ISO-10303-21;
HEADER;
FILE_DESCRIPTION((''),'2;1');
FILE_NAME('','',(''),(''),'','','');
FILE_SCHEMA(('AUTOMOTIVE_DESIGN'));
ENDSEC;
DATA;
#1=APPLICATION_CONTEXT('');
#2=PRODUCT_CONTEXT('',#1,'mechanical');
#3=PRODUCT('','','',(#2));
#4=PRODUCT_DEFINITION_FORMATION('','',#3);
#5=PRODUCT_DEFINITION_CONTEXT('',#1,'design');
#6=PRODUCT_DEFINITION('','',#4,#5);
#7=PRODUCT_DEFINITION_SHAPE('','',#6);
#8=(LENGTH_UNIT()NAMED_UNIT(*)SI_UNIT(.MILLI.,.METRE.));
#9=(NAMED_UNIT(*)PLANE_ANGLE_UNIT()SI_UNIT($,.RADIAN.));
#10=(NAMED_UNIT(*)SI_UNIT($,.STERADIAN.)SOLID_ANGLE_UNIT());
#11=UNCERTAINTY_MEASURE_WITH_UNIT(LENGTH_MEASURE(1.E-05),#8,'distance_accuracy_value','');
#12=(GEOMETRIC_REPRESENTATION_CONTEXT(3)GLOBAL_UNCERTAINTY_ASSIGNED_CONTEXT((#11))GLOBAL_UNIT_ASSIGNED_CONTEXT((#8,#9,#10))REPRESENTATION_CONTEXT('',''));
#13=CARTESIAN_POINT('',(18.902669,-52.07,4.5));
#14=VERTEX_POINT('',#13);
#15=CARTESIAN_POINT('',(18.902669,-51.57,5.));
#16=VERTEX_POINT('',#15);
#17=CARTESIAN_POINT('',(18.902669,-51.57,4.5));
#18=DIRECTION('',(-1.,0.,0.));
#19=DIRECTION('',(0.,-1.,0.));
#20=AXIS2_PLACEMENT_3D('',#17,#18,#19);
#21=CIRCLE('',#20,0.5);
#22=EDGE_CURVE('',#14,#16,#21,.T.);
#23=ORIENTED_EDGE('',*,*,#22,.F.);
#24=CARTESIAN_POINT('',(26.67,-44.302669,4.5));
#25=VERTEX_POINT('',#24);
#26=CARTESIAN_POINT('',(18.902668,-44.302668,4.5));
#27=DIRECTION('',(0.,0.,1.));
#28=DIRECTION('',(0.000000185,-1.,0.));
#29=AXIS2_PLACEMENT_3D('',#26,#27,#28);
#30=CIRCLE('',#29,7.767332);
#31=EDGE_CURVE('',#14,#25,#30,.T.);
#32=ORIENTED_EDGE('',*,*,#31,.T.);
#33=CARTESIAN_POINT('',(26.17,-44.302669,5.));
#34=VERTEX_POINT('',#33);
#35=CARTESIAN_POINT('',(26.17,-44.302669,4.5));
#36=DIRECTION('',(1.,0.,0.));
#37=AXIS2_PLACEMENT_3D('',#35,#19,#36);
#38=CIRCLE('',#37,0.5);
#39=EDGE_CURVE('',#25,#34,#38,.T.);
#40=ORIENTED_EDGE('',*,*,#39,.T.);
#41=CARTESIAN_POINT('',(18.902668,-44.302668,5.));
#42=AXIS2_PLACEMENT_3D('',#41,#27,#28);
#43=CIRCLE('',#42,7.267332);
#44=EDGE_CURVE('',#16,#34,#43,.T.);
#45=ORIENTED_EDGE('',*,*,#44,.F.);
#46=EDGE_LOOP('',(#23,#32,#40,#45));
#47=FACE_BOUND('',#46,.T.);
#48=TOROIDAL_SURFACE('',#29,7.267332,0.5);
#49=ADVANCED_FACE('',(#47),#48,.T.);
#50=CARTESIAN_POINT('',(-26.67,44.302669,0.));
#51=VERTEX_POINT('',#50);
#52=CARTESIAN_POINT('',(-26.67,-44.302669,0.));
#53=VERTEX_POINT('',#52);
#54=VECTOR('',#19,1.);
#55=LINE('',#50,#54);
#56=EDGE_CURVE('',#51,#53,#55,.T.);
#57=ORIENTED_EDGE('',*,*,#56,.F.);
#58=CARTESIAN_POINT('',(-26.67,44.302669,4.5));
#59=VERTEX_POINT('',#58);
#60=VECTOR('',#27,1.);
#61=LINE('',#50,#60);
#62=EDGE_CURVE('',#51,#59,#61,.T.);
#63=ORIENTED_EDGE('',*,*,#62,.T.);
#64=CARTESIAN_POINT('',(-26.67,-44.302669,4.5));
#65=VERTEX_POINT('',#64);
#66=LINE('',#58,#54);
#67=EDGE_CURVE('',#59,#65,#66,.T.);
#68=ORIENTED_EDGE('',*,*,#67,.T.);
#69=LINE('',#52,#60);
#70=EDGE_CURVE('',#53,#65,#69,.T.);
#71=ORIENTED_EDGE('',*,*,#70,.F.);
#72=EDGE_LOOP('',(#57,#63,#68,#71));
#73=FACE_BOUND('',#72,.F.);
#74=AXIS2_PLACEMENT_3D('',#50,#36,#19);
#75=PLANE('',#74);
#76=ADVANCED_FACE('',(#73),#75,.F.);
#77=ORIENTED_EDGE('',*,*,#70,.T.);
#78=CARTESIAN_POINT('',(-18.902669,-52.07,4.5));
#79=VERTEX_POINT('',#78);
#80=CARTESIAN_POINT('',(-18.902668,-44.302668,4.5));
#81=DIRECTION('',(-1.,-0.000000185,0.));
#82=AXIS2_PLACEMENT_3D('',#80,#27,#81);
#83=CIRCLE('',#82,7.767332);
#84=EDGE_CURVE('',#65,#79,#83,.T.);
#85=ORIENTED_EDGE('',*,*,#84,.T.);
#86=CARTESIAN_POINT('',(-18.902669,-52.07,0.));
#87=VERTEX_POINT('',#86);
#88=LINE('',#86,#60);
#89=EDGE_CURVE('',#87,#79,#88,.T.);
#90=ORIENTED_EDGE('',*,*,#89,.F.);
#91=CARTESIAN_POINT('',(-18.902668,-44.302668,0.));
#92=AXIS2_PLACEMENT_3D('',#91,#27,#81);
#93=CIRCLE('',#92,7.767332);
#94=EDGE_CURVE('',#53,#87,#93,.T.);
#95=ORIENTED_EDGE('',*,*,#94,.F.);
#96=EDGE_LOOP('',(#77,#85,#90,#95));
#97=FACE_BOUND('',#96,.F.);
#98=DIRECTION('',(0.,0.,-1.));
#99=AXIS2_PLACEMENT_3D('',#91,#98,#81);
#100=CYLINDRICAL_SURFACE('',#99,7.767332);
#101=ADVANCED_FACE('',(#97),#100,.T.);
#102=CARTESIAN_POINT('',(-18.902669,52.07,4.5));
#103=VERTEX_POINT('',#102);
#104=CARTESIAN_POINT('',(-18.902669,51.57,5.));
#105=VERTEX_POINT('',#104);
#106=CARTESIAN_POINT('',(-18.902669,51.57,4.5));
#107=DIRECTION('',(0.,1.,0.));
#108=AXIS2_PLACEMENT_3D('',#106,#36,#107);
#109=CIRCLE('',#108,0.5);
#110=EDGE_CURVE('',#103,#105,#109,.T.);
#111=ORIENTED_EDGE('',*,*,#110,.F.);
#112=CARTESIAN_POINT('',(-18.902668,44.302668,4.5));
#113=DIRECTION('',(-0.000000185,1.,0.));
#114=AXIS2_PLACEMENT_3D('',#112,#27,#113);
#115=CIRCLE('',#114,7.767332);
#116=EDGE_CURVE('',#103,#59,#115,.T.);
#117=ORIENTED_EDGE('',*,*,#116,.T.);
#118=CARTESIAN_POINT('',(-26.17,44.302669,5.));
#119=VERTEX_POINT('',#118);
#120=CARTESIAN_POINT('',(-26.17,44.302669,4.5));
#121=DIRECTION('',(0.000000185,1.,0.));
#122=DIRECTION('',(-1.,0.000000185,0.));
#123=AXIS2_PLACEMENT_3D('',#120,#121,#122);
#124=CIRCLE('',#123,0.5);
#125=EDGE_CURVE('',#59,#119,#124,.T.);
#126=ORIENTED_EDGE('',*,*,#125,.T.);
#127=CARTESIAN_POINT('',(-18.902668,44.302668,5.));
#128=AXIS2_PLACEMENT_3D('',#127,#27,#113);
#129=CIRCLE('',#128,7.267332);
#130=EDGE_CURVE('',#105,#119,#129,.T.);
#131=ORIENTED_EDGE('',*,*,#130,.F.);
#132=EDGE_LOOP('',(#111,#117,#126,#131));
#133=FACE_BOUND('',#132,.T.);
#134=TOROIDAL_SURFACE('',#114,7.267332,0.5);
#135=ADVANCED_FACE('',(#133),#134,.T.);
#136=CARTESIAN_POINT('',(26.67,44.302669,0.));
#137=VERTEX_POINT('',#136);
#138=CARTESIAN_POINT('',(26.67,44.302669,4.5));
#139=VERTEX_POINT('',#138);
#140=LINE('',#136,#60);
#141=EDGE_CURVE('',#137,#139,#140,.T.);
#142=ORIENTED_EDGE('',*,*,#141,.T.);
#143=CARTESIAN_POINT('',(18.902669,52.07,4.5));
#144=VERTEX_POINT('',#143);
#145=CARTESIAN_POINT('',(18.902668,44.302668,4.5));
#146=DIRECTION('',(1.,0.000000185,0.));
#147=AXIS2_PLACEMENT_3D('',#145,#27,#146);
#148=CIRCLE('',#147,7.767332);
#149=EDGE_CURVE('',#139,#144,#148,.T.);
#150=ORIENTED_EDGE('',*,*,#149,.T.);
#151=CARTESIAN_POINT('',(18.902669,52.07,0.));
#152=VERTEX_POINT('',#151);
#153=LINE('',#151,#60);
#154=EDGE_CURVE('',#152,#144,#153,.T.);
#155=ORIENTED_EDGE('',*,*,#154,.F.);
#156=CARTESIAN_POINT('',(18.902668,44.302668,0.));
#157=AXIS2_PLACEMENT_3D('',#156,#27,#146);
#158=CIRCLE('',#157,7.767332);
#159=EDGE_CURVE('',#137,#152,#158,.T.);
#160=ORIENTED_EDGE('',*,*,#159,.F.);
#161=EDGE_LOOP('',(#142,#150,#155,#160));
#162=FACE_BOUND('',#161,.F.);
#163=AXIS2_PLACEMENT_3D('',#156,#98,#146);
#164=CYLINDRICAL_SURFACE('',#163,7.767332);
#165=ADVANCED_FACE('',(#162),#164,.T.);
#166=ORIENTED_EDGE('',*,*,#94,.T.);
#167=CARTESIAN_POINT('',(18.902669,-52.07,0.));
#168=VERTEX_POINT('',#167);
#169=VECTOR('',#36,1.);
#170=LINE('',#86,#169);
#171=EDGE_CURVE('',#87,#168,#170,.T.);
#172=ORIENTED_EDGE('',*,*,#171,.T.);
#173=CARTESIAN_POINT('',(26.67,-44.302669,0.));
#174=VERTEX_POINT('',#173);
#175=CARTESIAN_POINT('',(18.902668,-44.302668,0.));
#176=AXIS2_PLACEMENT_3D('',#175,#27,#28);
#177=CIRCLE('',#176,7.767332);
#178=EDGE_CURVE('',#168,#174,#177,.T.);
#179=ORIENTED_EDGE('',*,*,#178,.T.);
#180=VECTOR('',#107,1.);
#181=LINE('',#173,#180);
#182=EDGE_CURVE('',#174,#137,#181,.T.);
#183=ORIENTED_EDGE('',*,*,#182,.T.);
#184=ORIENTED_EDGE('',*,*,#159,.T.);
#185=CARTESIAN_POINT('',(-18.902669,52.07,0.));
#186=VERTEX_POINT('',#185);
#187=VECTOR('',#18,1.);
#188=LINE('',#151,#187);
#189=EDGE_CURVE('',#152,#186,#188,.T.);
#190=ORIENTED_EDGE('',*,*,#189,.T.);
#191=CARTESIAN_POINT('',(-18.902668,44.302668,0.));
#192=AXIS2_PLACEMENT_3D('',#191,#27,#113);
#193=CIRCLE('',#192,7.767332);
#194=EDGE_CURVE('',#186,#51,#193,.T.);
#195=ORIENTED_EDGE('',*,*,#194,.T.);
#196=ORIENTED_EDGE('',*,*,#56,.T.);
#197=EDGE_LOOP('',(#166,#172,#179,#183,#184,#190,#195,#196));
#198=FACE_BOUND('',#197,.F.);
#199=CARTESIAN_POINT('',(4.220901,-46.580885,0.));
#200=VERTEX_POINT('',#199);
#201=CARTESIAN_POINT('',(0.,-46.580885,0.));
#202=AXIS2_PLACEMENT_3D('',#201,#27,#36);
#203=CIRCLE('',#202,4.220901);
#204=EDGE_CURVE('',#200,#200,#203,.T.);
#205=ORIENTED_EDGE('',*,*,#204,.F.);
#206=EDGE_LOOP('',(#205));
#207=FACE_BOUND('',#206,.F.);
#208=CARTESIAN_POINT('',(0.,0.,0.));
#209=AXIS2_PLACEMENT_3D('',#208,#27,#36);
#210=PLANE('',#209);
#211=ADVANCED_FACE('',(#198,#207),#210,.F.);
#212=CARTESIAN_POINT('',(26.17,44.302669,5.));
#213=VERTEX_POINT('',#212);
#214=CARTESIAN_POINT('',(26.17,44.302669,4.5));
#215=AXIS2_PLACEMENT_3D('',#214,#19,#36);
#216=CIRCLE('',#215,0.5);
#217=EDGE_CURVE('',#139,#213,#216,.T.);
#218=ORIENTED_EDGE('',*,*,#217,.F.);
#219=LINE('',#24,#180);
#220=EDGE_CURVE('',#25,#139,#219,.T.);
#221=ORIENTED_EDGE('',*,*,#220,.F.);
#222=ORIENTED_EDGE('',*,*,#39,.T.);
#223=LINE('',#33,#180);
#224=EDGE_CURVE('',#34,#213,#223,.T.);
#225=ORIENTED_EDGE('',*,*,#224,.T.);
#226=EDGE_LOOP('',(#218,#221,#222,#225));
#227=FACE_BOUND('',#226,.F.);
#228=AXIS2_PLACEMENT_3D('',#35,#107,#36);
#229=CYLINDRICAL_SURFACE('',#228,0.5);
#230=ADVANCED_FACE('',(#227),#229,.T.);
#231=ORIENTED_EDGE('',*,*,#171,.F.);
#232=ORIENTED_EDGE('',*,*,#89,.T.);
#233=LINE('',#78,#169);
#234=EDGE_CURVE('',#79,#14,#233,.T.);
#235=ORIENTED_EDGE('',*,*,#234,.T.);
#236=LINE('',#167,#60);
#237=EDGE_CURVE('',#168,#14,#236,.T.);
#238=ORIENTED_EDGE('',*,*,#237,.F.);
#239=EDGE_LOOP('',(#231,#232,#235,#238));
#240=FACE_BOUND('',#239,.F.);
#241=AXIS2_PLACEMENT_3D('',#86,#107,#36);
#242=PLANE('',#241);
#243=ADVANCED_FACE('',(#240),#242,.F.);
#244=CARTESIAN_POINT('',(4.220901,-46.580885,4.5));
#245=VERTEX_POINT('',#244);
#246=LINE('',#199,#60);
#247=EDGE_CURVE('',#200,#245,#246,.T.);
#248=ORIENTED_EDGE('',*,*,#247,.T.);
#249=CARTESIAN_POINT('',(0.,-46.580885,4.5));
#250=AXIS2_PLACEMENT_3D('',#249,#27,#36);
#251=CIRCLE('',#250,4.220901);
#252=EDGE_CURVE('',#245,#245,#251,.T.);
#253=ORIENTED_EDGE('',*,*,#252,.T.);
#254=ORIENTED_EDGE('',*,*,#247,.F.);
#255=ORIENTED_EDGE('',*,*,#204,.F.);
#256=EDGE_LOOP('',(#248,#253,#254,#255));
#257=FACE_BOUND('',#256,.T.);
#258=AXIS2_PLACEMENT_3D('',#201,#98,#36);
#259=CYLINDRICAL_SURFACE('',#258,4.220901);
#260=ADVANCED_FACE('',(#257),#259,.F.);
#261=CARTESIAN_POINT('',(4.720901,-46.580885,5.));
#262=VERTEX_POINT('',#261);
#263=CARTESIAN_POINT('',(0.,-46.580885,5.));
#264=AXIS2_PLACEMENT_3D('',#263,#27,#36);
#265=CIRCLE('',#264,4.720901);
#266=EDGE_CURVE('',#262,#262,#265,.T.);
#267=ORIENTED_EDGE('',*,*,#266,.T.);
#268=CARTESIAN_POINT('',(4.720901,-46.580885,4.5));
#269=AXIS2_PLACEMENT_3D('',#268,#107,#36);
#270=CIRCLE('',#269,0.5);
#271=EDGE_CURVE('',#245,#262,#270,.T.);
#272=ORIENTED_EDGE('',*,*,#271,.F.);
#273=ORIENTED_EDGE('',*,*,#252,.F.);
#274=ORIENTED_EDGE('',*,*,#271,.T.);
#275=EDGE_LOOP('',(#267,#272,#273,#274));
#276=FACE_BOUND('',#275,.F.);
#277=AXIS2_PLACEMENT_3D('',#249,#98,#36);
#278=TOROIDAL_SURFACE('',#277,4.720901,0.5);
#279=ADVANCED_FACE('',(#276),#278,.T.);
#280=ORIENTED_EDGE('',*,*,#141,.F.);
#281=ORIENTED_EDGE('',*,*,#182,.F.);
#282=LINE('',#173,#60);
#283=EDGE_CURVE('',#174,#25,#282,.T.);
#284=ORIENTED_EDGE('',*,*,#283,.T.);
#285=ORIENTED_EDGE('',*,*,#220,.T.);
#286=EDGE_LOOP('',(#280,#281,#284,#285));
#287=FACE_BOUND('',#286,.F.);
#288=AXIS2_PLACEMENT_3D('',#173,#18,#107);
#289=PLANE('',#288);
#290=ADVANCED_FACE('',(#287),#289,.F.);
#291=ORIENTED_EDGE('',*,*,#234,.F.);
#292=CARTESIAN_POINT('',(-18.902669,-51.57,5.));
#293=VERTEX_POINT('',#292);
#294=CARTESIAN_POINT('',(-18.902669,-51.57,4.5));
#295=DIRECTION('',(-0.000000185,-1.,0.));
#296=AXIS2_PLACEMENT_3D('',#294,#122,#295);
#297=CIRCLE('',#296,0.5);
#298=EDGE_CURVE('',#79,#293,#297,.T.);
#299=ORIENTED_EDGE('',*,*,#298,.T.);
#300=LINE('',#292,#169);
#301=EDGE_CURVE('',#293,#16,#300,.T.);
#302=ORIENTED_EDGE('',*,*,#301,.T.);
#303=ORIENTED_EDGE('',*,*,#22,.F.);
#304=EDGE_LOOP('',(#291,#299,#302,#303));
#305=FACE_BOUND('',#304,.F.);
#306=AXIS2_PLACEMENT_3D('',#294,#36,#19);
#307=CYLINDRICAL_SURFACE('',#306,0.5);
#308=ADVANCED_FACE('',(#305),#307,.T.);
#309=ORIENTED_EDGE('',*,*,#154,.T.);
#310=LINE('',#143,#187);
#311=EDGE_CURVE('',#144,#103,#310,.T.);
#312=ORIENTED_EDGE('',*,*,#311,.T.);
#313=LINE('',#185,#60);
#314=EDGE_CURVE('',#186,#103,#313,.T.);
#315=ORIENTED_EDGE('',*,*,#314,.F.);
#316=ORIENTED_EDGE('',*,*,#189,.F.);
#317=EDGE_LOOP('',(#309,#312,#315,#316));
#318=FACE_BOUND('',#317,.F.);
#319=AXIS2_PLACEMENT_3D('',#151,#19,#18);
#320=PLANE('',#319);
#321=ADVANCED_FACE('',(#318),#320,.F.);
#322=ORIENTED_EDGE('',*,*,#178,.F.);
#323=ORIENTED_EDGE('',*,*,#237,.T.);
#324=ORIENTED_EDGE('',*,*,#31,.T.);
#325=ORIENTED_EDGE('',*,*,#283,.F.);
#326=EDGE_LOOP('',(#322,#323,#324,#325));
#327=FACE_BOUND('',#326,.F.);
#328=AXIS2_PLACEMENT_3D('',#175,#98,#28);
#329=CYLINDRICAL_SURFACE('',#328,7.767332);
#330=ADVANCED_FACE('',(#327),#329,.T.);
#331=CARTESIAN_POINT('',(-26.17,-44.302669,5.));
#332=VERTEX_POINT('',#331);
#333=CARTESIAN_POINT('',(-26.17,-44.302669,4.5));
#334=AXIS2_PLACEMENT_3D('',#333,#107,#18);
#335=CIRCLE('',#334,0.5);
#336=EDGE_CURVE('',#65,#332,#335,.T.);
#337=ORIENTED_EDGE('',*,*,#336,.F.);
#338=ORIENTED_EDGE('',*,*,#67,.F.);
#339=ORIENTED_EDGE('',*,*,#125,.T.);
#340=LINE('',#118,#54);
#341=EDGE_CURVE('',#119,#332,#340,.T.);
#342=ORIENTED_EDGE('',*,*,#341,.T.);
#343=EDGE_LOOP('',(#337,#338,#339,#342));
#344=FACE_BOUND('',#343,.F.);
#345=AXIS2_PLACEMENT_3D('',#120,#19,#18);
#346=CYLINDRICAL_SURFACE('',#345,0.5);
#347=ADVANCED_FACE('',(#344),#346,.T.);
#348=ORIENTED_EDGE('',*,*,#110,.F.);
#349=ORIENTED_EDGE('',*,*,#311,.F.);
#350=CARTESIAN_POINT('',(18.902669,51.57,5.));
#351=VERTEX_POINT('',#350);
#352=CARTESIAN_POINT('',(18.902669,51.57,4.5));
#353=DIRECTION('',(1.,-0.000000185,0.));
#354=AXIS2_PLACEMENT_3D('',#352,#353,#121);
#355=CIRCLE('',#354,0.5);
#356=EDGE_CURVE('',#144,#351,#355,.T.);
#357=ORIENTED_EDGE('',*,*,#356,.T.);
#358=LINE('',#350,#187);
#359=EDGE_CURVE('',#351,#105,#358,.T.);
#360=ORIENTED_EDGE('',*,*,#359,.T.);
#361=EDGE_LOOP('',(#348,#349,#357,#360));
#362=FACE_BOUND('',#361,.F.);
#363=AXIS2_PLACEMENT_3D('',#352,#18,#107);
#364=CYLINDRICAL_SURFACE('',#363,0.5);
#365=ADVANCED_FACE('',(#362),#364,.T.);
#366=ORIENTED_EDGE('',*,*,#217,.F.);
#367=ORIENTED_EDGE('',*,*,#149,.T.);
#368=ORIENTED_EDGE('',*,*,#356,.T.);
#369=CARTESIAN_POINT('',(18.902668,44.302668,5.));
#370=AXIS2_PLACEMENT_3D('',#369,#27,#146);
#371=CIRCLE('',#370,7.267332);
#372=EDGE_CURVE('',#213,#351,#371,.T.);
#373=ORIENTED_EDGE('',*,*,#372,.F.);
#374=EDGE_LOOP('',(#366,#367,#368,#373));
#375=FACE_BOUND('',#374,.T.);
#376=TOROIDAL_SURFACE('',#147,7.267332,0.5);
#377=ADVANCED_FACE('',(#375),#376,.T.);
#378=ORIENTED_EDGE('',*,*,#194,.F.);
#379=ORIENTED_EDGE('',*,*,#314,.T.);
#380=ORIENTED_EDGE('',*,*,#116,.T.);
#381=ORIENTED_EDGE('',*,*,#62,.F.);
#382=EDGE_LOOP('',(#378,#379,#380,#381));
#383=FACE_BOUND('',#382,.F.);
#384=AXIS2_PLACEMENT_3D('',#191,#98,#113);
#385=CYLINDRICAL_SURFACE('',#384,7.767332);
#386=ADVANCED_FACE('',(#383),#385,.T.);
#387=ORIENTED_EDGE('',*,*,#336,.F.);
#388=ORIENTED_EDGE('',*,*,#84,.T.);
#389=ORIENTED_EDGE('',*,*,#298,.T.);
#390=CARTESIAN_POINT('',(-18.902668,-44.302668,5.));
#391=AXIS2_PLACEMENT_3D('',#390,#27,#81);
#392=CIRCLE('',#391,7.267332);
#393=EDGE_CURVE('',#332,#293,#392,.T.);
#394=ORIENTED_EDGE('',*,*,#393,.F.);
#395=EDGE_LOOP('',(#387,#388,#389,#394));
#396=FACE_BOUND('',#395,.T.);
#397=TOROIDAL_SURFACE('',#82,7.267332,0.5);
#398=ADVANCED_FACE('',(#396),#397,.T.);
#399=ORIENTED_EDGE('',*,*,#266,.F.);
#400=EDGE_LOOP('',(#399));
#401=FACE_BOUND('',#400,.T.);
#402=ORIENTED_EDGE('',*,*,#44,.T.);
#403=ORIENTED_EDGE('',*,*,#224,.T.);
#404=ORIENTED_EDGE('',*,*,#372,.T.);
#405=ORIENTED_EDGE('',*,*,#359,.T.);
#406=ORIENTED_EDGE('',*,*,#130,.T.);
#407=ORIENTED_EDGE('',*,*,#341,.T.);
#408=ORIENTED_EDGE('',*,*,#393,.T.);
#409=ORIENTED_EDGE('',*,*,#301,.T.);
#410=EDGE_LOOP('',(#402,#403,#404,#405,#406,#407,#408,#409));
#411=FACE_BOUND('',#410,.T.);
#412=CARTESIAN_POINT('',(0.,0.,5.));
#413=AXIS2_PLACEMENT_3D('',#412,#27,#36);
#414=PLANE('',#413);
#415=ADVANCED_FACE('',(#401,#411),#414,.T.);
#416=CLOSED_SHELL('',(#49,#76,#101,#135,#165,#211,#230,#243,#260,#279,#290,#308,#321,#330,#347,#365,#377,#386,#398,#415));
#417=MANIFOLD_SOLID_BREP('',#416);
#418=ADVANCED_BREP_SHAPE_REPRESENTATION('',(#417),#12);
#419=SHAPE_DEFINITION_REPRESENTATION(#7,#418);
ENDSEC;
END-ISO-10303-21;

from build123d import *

# Parameters (mm, degrees)
F0_R     = 4.220901
F1_DEPTH = 5
F2_R     = 0.5


with BuildPart() as f1:
    # F0 (on Top) → F1 (new body)
    with BuildSketch(Plane.XY):
        with BuildLine():
            ThreePointArc((26.67, 44.302669), (24.395001, 49.795001), (18.902669, 52.07))
            Line((18.902669, 52.07), (-18.902669, 52.07))
            ThreePointArc((-18.902669, 52.07), (-24.395001, 49.795001), (-26.67, 44.302669))
            Line((-26.67, 44.302669), (-26.67, -44.302669))
            ThreePointArc((-26.67, -44.302669), (-24.395001, -49.795001), (-18.902669, -52.07))
            Line((-18.902669, -52.07), (18.902669, -52.07))
            ThreePointArc((18.902669, -52.07), (24.395001, -49.795001), (26.67, -44.302669))
            Line((26.67, -44.302669), (26.67, 44.302669))
        make_face()
        with Locations((0, -46.580885)):
            Circle(F0_R, mode=Mode.SUBTRACT)
    extrude(amount=F1_DEPTH)

    # F2
    f2_edges = [f1.edges().sort_by_distance(p)[0] for p in [
        (26.67, 0, 5),
        (24.395001, 49.795001, 5),
        (0, 52.07, 5),
        (-24.395001, 49.795001, 5),
        (-26.67, 0, 5),
        (-24.395001, -49.795001, 5),
        (0, -52.07, 5),
        (24.395001, -49.795001, 5),
        (-4.220901, -46.580885, 5),
    ]]
    fillet(f2_edges, radius=F2_R)


solid = f1.part
